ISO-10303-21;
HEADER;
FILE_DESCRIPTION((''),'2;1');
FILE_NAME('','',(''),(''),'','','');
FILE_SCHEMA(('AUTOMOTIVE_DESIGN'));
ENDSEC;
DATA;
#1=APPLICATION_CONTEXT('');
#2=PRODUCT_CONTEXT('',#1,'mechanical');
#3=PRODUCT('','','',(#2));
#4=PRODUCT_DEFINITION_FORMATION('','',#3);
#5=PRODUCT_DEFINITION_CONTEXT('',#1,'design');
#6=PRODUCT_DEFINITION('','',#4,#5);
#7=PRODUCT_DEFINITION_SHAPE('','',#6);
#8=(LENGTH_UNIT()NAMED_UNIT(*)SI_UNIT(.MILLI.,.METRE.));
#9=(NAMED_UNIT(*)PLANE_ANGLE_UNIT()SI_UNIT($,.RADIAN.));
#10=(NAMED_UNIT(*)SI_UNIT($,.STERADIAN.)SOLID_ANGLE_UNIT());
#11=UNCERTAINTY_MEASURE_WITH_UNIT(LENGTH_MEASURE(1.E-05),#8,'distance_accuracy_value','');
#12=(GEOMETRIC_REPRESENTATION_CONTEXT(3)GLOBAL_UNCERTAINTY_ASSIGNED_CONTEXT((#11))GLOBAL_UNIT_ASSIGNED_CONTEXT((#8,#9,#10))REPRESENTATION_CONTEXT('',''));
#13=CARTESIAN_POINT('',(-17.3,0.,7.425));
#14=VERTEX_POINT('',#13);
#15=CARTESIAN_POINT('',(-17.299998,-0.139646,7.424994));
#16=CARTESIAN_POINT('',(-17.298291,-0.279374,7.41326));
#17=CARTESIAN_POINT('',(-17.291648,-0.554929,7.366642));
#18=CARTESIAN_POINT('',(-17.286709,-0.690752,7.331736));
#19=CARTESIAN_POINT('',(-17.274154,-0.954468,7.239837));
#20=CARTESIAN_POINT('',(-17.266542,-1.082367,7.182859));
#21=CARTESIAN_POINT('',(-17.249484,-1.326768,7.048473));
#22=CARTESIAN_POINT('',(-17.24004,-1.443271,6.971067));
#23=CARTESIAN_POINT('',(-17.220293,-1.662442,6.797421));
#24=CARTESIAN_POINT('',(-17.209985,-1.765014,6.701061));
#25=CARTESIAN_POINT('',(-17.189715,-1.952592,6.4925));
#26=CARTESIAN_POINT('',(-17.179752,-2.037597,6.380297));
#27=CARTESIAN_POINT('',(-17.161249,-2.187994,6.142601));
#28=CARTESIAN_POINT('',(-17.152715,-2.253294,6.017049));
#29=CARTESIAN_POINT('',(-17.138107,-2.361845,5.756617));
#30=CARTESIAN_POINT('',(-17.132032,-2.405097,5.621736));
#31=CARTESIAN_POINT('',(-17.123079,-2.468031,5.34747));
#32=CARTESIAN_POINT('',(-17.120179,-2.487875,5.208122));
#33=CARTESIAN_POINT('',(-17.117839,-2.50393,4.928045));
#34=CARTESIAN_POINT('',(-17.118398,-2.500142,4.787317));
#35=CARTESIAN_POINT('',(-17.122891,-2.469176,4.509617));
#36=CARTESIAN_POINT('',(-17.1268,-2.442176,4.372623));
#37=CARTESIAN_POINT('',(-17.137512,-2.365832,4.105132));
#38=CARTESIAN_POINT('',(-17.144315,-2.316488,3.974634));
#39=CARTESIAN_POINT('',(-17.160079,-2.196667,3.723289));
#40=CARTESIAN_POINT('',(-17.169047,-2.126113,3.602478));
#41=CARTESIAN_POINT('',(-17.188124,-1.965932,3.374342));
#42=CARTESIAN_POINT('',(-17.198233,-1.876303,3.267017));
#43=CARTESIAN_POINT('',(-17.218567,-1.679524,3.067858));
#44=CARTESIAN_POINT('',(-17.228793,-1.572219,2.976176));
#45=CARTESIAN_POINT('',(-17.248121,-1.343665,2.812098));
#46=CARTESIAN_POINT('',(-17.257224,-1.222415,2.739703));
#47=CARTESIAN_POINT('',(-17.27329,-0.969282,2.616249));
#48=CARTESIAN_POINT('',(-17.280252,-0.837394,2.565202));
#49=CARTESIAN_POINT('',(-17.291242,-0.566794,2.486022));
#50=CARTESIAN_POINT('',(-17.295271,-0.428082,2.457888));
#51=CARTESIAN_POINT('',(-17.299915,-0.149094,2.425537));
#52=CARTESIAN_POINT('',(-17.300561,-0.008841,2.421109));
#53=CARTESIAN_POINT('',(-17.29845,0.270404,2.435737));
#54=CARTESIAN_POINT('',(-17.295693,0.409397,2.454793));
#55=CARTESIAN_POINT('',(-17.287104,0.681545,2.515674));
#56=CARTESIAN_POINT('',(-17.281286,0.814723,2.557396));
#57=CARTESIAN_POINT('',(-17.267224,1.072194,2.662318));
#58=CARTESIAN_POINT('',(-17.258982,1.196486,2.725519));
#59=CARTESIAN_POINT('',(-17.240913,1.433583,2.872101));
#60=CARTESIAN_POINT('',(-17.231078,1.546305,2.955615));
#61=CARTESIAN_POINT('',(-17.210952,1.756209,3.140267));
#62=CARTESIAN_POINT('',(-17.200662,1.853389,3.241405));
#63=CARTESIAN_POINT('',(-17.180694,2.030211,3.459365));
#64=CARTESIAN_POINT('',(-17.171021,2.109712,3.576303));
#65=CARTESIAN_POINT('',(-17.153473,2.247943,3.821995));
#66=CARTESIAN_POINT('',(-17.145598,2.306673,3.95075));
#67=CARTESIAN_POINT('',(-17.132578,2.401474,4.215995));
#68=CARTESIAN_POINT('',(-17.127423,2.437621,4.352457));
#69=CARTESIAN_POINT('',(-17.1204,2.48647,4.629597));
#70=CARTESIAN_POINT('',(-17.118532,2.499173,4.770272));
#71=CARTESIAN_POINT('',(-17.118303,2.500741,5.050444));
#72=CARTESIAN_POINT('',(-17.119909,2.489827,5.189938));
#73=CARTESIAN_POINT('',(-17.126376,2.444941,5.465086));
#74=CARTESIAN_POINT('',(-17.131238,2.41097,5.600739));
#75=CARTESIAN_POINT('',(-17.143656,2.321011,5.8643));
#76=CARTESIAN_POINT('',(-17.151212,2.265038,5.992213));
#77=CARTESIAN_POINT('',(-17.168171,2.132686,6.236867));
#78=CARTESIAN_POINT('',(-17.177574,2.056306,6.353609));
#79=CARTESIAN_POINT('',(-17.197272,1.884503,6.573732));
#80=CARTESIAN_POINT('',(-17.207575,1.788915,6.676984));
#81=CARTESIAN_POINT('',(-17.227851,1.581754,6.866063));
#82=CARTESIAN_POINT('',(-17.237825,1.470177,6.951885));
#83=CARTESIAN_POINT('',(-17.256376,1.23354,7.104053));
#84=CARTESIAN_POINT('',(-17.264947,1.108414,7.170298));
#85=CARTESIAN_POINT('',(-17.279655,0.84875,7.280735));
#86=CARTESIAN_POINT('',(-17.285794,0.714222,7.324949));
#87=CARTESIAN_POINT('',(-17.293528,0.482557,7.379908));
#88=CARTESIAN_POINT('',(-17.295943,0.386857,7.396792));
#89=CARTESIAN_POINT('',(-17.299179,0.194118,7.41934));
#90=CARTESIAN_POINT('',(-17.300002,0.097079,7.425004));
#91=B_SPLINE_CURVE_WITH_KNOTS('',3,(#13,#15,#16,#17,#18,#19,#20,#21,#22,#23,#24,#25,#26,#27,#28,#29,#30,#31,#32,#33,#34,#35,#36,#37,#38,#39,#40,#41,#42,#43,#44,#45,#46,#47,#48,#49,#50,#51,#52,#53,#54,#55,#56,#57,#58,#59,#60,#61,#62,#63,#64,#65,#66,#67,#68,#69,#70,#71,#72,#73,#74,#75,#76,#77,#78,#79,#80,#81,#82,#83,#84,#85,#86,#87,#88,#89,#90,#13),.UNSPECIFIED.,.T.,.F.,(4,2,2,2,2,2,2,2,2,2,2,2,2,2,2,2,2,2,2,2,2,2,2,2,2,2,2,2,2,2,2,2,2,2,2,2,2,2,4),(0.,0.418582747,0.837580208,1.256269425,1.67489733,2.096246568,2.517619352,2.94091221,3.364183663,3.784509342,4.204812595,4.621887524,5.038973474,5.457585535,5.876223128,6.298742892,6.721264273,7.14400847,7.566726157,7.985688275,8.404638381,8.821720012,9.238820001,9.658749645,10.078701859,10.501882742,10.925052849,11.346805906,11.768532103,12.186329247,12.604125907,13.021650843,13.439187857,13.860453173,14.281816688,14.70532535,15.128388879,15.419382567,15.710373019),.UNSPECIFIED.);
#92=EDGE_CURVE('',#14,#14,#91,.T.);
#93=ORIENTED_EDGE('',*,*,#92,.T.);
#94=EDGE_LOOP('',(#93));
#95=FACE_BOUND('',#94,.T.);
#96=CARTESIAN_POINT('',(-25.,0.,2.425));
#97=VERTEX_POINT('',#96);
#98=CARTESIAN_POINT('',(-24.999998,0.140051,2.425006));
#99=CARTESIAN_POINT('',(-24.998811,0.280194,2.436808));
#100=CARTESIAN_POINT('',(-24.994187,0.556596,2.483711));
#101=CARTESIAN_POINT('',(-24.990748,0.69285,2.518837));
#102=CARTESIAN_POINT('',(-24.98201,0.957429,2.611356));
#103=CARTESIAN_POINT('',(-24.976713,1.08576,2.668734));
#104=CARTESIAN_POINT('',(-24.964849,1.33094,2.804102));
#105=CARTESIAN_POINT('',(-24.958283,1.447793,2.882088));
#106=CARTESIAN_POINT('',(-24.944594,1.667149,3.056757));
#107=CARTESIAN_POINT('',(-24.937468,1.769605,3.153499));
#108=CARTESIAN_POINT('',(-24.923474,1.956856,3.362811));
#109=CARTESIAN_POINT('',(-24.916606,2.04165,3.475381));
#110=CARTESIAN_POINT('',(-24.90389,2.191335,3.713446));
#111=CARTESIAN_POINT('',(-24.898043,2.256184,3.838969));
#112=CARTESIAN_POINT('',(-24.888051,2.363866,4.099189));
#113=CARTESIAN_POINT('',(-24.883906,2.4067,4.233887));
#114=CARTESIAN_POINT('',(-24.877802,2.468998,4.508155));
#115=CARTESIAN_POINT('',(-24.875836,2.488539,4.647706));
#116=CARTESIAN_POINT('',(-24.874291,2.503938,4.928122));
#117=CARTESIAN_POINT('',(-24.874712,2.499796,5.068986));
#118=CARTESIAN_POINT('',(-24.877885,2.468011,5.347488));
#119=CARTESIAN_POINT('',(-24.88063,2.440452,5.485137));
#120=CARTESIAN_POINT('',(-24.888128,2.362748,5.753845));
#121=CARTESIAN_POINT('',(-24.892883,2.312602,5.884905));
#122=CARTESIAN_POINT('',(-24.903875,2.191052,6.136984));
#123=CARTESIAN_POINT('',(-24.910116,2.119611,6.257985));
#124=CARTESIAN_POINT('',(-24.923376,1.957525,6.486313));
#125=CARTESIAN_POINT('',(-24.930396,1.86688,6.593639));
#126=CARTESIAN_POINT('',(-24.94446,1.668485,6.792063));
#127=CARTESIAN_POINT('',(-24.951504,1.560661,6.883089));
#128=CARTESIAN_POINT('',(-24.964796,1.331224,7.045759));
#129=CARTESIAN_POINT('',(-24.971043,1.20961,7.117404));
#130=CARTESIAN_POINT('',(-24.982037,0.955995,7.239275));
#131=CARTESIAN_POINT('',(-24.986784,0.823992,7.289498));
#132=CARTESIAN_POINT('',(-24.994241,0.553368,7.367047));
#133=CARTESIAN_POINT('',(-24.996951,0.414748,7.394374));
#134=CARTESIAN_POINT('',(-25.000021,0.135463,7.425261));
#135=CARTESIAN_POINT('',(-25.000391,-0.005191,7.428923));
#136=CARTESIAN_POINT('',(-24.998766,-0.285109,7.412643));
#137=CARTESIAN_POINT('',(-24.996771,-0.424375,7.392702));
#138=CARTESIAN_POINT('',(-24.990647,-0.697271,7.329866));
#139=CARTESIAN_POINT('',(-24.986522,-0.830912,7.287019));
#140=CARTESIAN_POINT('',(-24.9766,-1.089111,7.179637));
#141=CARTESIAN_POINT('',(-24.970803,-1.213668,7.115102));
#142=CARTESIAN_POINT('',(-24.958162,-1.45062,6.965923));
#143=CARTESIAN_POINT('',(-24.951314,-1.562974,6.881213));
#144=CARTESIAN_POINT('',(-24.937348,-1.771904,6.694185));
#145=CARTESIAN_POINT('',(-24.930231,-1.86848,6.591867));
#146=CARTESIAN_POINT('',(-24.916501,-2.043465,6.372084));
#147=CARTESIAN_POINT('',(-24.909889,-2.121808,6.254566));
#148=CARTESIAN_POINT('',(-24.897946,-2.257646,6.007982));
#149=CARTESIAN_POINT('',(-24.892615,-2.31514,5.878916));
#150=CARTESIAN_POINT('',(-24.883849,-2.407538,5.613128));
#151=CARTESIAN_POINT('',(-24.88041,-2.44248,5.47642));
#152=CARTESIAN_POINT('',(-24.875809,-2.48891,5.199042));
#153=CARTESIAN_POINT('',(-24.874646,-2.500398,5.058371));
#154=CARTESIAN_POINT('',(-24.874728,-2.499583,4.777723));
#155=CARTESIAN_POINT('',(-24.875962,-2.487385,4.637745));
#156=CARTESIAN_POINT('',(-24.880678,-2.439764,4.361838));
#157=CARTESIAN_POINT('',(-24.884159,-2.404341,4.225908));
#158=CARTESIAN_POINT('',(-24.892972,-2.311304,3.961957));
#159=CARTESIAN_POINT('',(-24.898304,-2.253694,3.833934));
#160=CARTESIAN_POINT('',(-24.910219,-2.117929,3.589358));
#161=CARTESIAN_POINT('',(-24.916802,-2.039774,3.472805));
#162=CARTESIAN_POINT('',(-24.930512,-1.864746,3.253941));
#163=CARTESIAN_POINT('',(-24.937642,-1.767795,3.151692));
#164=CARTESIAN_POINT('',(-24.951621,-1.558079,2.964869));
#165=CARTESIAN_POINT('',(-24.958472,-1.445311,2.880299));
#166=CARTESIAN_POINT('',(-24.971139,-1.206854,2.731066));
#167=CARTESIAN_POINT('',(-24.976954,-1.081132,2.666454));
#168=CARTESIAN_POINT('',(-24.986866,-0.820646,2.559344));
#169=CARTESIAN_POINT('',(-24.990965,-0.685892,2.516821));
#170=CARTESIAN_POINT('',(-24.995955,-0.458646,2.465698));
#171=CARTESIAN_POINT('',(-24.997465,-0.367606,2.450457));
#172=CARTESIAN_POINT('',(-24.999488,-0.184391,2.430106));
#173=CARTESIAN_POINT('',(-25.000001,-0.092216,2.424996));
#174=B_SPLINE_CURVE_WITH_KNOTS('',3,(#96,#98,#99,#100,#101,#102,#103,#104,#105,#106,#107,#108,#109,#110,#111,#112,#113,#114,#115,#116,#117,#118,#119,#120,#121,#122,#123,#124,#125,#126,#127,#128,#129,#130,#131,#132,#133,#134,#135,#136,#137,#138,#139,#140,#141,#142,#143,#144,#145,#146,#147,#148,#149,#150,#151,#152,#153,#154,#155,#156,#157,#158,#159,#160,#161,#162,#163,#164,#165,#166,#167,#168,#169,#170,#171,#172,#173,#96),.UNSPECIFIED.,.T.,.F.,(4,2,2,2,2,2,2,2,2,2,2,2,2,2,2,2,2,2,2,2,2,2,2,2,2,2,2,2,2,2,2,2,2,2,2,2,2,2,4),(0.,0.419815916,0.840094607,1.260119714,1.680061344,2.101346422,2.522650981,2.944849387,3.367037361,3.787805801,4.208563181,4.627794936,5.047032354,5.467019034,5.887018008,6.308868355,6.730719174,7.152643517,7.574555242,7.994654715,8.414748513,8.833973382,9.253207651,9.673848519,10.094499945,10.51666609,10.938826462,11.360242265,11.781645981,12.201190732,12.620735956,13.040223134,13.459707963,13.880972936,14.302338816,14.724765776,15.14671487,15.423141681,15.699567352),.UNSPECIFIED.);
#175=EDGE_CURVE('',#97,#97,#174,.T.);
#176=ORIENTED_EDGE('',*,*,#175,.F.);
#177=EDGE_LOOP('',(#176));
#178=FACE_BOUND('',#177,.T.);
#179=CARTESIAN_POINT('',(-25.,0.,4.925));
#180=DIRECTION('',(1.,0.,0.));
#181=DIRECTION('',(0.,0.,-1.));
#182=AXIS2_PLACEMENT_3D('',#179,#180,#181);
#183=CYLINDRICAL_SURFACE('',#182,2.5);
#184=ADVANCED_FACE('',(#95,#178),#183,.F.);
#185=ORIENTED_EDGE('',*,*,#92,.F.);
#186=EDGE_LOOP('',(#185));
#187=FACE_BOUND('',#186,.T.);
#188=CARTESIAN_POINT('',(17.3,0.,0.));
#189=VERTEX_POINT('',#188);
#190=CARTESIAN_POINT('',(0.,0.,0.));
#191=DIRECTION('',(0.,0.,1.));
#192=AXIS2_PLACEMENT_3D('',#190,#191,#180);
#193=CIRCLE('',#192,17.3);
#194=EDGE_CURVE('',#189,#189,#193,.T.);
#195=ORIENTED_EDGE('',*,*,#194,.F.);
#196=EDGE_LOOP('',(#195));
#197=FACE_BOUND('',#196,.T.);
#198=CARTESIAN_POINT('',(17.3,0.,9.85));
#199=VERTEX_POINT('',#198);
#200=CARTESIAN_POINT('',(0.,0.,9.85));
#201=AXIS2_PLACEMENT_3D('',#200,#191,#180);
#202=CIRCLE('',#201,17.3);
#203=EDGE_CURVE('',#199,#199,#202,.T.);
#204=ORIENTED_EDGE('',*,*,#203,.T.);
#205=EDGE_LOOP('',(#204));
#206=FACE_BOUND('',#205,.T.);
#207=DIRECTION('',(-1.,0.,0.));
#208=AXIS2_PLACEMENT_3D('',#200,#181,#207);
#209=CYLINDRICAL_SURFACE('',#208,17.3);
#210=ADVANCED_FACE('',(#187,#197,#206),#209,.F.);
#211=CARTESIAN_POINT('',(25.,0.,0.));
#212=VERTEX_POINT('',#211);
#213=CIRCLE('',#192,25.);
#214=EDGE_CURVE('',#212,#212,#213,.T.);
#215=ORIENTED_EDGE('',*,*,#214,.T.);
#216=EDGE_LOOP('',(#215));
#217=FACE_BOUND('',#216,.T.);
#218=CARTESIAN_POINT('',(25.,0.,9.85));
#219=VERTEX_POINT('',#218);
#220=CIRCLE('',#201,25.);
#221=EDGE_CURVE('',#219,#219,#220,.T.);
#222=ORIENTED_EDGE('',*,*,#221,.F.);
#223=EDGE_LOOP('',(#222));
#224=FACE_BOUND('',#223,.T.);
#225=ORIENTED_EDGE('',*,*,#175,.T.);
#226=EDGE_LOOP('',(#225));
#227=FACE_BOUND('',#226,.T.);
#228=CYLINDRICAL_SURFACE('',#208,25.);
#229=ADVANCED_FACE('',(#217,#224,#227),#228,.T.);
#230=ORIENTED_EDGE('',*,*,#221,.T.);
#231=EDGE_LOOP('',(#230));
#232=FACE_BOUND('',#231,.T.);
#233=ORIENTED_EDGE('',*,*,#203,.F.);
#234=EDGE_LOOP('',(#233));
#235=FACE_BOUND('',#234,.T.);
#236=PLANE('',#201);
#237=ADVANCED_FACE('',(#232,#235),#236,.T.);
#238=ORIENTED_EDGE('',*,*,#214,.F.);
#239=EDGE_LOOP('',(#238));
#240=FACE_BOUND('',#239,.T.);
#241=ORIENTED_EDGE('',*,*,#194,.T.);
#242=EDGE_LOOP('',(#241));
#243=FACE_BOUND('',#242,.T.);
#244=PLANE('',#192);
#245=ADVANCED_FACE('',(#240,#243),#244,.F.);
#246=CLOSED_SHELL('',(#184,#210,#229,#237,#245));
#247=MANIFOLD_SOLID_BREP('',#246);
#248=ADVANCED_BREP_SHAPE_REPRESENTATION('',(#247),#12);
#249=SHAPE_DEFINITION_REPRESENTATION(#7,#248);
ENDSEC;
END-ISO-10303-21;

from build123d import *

# Parameters (mm, degrees)
ESBO_O1_R                = 25
ESBO_O1_R_2              = 17.3
RESSALTO_EXTRUS_O1_DEPTH = 9.85
ESBO_O2_R                = 2.5
CORTE_EXTRUS_O1_DEPTH    = 26


with BuildPart() as part:
    # Esboço1 → Ressalto-extrusão1 (new body)
    with BuildSketch(Plane.XY):
        Circle(ESBO_O1_R)
        Circle(ESBO_O1_R_2, mode=Mode.SUBTRACT)
    extrude(amount=RESSALTO_EXTRUS_O1_DEPTH)

    # Esboço2 → Corte-extrusão1 (cut, through all)
    with BuildSketch(Plane(origin=(0, 0, 0), x_dir=(0, 0, -1), z_dir=(1, 0, 0))):
        with Locations((-4.925, 0)):
            Circle(ESBO_O2_R)
    extrude(amount=-CORTE_EXTRUS_O1_DEPTH, mode=Mode.SUBTRACT)


solid = part.part
